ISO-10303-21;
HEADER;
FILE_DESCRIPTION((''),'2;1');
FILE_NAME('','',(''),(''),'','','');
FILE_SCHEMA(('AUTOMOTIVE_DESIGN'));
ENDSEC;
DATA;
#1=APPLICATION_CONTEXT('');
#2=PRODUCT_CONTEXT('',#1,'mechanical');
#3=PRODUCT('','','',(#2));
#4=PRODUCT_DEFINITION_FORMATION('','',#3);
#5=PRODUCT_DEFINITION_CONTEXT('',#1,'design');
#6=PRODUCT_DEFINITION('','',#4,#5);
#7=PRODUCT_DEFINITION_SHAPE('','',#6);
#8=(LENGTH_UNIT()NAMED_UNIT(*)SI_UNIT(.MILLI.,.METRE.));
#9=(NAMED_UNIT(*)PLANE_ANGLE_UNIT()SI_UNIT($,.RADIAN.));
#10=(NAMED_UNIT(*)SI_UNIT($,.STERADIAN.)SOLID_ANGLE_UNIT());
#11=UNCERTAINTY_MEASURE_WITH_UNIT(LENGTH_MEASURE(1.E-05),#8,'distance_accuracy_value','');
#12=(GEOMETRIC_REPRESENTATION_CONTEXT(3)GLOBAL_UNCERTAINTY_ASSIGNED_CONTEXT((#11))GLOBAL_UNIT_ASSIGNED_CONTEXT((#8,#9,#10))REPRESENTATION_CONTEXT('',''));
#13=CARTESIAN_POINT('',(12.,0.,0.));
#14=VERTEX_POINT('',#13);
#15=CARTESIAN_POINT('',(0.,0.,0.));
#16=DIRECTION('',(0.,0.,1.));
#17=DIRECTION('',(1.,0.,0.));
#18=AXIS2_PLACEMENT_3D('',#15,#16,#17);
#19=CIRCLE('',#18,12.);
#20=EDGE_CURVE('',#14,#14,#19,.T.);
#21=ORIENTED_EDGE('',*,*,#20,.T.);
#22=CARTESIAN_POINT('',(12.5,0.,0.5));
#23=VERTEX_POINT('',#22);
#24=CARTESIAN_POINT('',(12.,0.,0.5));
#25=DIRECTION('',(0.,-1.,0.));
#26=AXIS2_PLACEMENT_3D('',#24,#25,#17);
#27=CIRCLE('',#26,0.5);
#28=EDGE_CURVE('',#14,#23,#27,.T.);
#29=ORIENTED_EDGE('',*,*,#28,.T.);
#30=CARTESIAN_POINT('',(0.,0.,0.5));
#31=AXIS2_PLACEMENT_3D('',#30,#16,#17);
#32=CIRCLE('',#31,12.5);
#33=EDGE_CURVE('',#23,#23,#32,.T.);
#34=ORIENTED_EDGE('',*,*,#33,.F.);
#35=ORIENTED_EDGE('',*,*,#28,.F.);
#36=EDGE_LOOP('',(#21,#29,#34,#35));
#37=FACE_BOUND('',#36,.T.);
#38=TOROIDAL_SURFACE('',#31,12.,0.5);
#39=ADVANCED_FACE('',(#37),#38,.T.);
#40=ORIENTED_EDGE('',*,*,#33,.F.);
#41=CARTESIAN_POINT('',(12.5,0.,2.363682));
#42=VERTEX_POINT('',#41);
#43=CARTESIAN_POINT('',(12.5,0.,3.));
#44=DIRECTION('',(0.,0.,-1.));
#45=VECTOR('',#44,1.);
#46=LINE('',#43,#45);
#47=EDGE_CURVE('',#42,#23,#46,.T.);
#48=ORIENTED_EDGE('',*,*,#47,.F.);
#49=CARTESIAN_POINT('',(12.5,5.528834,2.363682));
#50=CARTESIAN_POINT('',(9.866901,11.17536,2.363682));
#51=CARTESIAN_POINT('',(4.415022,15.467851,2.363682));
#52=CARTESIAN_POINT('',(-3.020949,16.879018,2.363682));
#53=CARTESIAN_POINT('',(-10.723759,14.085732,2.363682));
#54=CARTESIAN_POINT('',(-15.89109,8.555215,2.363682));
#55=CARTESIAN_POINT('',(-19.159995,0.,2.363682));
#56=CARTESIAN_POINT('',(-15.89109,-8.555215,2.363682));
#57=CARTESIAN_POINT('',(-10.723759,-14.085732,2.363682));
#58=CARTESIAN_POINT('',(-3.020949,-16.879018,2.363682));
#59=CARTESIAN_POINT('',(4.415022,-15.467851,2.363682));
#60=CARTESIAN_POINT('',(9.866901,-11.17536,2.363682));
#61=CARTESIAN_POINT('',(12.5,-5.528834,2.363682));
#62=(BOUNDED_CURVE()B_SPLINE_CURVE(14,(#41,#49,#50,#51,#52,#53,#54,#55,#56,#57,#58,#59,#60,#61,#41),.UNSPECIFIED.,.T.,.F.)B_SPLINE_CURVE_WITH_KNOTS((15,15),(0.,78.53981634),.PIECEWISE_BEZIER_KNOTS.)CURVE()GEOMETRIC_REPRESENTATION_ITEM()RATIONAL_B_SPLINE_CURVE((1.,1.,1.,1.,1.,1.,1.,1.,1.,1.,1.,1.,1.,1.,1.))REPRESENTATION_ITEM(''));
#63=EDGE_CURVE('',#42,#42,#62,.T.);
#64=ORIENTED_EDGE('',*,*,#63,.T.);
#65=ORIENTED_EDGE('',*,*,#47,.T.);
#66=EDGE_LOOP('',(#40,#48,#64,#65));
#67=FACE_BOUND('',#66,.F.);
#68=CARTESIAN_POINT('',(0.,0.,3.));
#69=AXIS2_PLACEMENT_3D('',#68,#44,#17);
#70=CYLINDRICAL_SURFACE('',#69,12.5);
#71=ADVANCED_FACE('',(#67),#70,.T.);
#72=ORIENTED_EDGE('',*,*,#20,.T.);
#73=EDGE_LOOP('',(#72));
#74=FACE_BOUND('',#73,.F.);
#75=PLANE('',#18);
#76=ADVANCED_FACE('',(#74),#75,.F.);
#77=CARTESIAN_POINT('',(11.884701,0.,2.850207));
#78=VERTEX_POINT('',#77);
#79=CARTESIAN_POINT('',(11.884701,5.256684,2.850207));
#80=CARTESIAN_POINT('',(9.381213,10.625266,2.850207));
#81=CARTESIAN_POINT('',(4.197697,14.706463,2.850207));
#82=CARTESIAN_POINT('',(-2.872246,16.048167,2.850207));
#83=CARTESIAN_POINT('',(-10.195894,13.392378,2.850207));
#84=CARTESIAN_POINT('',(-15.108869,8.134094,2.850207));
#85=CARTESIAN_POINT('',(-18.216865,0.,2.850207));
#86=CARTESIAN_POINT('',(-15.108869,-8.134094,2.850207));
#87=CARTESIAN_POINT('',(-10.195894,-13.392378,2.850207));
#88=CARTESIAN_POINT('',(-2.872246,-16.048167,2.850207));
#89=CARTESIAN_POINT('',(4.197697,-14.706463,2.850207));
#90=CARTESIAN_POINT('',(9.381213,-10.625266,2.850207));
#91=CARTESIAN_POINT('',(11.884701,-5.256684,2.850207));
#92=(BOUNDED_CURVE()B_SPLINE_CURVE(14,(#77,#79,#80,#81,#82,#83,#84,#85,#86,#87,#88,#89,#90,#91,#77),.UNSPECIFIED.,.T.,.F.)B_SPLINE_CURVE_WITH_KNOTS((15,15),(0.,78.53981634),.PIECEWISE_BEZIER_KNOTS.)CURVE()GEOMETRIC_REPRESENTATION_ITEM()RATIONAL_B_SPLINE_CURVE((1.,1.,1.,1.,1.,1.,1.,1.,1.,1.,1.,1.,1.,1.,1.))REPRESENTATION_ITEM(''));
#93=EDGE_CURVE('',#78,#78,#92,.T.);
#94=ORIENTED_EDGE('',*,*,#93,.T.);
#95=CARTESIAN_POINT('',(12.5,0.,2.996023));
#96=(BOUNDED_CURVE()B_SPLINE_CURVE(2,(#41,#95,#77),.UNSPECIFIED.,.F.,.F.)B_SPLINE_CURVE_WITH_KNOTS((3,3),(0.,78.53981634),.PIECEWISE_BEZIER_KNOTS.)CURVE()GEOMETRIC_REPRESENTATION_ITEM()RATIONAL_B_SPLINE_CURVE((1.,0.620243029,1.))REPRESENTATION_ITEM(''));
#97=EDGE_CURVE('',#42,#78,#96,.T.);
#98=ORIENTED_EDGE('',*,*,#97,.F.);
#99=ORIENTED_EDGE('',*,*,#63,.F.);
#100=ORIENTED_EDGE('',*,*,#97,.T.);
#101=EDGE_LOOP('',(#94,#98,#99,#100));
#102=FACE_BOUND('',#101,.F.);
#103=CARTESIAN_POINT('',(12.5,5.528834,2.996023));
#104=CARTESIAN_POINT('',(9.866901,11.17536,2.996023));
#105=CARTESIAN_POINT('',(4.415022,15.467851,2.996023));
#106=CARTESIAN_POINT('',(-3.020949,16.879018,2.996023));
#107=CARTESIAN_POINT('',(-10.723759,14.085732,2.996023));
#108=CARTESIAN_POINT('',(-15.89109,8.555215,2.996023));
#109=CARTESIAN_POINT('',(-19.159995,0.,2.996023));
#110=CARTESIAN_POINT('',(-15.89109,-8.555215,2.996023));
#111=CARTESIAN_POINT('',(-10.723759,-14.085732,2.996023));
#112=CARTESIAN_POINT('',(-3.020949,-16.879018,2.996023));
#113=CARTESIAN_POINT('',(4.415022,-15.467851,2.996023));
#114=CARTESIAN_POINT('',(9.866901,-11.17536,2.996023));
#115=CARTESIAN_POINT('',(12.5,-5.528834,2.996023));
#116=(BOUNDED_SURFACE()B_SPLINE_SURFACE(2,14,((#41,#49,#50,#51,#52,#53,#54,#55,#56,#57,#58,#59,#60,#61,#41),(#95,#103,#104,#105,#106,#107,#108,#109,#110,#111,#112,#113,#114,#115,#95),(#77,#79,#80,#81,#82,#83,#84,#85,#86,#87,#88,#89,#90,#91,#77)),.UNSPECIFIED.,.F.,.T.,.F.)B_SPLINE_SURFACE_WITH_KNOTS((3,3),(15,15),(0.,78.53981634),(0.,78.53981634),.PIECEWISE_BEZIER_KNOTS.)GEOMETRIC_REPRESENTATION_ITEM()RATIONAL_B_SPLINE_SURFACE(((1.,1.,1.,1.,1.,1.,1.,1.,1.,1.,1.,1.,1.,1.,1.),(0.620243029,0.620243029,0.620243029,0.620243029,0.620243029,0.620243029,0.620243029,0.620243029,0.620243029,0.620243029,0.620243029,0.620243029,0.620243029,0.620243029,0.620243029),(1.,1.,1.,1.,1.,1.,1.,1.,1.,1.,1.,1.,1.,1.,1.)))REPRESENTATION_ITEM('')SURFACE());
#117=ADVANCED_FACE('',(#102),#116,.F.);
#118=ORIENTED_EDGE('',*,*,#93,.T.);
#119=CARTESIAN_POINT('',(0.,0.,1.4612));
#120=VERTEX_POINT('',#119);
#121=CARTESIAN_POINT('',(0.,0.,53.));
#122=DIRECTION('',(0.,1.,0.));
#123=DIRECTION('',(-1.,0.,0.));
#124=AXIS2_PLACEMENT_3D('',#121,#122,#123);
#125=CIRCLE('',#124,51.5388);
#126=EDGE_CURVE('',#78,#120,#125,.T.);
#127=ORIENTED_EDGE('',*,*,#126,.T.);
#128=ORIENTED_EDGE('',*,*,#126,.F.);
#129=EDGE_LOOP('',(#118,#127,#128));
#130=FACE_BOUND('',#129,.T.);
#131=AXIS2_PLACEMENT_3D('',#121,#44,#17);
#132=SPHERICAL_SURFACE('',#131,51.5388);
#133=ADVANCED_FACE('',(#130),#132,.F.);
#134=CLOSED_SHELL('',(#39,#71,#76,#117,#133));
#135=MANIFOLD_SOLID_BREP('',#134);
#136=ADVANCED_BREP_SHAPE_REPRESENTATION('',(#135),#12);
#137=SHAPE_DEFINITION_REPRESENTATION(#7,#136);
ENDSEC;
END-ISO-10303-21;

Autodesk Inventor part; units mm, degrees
ref_plane "YZ Plane" through (0, 0, 0) normal (1, 0, 0) x (0, 1, 0)
ref_plane "XZ Plane" through (0, 0, 0) normal (0, 1, 0) x (-1, 0, 0)
ref_plane "XY Plane" through (0, 0, 0) normal (0, 0, 1) x (1, 0, 0)
sketch "Sketch1" plane through (0, 0, 0) normal (0, 1, 0) x (-1, 0, 0)
  line L0 (12.5, 0) -> (12.5, 3)
  line L1 (12.5, 3) -> (-12.5, 3)
  line L2 (-12.5, 3) -> (-12.5, 0)
  line L3 (-12.5, 0) -> (12.5, 0)
  circle A0 centre (0, 53) radius 51.5388
  line L4 (0, 0) -> (0, 1.4612)
  point P0 (0, 0)
  point P1 (0, 3)
  dimension "d0" = 3
  dimension "d1" = 25
  dimension "d2" = 50
revolve "Revolution1" add sketch "Sketch1" angle 360 about axis through (0, 0, 0) along (0, 0, 1) contours L3 L2 A0 L4
fillet "Fillet1" radius 0.5 2 edges at (-12.5, 0, 3) (-12.5, 0, 0)
properties part number "Plano Concanve Lens"
